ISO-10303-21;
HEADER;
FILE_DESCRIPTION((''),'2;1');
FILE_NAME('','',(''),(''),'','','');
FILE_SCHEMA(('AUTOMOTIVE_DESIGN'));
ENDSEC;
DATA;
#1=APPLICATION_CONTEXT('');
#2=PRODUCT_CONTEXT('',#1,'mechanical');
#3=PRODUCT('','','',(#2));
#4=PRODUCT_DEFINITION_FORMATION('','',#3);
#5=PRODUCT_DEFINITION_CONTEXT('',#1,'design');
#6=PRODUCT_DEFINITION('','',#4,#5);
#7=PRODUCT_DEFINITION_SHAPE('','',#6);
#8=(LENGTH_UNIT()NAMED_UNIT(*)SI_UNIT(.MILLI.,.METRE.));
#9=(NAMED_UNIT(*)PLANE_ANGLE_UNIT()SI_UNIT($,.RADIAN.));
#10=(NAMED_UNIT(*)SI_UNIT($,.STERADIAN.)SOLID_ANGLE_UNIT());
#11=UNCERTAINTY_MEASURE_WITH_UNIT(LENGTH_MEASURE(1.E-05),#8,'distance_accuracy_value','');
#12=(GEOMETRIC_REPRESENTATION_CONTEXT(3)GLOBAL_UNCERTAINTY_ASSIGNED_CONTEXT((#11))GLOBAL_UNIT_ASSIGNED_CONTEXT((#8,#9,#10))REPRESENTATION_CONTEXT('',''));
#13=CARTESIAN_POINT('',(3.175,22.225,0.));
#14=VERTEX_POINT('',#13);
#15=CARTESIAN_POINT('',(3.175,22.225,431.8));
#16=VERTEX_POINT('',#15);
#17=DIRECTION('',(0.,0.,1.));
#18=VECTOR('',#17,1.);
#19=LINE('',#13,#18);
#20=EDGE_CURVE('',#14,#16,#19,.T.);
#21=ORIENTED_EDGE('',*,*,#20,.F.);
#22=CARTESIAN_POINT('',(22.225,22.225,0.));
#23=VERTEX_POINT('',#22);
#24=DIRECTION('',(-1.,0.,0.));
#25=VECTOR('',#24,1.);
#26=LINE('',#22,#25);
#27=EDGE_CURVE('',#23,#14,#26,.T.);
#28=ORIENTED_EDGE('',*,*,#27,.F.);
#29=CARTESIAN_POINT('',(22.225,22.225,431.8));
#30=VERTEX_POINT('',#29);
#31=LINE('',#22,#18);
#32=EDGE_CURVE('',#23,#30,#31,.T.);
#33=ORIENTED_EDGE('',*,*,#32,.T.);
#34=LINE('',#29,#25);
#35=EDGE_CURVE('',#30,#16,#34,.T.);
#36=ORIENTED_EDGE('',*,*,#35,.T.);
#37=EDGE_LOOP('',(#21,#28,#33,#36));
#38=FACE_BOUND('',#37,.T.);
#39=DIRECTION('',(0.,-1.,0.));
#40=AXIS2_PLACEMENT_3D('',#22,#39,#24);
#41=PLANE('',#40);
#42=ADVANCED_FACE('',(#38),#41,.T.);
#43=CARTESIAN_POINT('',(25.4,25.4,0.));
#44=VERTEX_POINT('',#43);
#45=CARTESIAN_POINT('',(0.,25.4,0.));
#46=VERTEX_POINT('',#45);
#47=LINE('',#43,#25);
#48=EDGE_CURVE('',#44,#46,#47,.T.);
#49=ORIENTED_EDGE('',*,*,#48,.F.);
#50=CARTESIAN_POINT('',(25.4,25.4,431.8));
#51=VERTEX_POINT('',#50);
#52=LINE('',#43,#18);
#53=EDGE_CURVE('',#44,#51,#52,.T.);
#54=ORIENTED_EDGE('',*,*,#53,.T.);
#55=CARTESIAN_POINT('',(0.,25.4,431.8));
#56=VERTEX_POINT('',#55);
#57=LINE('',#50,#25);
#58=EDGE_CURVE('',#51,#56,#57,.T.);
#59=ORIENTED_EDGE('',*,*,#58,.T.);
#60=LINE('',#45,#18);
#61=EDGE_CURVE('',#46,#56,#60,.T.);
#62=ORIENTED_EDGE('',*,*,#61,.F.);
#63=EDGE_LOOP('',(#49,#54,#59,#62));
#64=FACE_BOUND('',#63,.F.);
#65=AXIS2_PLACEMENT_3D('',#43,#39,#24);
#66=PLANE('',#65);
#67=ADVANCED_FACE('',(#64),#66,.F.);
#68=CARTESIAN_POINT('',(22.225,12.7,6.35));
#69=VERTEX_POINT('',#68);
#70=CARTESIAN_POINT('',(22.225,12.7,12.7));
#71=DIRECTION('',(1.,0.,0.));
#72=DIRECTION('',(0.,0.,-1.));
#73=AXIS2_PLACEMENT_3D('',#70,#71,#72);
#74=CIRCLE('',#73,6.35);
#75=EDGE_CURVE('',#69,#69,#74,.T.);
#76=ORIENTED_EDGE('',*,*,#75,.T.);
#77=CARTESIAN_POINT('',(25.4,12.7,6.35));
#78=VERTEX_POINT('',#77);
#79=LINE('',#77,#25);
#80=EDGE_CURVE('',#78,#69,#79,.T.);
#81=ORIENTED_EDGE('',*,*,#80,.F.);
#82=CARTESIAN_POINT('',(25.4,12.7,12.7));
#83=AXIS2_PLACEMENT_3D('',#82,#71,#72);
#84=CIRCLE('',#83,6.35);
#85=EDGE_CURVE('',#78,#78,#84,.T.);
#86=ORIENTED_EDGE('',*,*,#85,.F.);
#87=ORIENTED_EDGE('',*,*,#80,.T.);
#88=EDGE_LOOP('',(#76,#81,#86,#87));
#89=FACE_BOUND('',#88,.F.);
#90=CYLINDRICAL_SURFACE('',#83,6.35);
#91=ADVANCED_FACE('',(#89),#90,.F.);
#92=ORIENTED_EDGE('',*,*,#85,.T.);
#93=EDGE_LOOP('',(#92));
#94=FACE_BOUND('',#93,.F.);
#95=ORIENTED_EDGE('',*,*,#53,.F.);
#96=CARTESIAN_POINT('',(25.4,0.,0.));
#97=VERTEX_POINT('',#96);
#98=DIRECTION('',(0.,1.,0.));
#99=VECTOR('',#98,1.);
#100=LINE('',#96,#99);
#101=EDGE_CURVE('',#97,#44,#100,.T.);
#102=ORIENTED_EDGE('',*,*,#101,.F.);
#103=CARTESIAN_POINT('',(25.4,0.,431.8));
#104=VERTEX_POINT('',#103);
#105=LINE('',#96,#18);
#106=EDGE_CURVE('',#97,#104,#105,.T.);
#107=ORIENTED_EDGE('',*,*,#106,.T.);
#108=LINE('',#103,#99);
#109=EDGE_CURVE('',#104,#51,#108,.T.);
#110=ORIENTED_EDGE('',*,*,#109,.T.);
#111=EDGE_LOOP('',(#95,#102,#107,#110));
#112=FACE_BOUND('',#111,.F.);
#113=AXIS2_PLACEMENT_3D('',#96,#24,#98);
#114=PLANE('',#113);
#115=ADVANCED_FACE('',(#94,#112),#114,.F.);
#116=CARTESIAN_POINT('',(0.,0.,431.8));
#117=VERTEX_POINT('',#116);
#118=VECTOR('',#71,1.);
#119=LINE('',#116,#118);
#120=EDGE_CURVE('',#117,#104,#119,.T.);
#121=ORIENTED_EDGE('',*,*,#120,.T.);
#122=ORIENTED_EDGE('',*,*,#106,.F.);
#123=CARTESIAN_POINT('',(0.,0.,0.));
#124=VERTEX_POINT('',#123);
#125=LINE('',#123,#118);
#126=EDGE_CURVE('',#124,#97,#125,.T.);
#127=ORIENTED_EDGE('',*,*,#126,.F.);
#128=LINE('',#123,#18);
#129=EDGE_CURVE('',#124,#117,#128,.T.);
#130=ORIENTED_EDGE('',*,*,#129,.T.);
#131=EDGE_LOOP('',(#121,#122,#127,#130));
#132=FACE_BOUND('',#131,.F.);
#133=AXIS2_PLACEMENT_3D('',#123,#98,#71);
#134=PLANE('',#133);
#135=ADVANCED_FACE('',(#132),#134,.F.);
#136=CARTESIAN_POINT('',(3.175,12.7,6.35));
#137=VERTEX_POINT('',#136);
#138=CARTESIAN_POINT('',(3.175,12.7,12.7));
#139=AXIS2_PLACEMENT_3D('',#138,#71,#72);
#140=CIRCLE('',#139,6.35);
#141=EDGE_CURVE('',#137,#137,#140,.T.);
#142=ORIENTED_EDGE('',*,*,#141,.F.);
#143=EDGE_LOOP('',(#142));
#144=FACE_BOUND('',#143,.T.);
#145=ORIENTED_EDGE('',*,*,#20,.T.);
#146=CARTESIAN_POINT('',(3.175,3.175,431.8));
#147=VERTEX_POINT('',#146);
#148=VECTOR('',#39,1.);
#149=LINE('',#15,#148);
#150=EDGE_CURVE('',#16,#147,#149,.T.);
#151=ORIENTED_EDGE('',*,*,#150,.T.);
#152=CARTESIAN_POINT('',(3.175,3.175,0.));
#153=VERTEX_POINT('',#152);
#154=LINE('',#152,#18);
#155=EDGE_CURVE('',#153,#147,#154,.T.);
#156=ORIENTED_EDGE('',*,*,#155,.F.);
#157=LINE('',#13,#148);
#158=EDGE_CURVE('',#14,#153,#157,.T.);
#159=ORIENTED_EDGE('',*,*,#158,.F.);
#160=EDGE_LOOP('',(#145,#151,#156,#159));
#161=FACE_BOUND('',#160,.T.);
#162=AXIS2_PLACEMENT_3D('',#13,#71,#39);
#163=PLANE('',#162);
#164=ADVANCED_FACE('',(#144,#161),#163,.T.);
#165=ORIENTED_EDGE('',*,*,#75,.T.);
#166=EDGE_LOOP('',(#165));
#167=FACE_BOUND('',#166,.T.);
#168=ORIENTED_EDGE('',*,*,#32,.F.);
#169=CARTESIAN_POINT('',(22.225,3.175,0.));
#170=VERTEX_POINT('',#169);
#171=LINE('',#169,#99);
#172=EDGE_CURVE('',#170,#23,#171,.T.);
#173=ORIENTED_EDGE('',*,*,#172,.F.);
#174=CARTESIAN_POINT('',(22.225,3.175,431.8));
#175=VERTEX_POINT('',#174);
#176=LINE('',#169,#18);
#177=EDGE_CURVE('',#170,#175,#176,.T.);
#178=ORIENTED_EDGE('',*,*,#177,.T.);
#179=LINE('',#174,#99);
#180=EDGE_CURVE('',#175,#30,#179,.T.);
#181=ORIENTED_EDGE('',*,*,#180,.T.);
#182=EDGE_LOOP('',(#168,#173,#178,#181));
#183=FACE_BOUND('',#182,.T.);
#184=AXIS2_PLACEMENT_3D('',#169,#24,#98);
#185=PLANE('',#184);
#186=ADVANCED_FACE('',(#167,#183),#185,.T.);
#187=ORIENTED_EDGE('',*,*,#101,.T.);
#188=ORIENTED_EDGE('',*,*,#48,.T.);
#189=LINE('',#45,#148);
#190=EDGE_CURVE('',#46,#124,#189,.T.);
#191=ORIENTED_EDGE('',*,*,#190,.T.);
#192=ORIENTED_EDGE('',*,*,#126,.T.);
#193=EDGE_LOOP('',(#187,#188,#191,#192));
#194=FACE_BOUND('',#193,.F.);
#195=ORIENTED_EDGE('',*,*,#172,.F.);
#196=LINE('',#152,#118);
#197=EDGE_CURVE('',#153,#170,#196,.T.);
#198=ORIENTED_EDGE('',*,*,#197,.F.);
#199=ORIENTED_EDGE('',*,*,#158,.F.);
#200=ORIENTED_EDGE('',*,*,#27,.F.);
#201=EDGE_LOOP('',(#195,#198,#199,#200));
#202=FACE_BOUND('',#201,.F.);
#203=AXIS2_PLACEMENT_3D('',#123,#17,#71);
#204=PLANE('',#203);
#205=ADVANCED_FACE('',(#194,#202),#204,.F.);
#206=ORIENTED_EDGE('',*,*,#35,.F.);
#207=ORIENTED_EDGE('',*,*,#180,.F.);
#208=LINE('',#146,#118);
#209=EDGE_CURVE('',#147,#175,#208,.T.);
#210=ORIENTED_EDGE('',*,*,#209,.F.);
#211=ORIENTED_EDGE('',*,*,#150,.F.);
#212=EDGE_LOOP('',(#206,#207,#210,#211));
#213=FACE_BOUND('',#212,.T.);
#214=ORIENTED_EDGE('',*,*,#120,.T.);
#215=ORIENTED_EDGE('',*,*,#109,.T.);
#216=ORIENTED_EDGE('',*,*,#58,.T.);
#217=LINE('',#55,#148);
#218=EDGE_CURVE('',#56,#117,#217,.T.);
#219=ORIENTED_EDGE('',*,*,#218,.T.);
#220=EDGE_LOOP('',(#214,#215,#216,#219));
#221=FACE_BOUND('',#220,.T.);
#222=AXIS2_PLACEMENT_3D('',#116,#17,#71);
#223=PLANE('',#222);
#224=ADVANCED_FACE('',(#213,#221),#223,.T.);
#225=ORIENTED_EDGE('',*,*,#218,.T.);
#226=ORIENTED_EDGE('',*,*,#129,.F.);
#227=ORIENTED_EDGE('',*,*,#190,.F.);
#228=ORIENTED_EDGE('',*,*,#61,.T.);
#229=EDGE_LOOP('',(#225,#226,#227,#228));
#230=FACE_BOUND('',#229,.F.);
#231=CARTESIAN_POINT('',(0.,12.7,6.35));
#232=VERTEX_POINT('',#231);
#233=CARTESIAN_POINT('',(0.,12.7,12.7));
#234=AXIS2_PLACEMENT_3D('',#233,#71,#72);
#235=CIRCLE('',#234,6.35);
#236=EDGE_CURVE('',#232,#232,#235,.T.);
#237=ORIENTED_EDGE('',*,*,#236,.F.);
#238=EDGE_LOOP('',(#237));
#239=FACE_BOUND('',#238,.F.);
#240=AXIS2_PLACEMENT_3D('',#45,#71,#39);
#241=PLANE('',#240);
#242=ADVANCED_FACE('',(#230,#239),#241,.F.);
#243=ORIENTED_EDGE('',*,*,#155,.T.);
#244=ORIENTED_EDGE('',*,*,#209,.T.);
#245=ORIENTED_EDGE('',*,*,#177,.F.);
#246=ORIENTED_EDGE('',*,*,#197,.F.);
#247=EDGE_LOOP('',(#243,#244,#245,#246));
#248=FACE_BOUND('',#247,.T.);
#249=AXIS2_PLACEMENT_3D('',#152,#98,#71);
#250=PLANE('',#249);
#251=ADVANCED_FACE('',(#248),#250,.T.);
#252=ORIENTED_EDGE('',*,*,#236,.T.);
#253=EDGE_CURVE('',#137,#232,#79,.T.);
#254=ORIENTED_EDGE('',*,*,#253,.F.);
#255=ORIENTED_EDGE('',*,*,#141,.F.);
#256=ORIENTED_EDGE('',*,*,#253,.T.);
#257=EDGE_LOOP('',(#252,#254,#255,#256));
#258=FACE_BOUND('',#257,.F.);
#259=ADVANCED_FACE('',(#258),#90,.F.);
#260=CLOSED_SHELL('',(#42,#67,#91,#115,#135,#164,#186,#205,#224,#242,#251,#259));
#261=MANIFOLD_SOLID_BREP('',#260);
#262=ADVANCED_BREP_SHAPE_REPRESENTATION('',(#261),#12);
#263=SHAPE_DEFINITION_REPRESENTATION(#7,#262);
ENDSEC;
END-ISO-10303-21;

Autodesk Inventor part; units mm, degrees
ref_plane "YZ Plane" through (0, 0, 0) normal (1, 0, 0) x (0, 1, 0)
ref_plane "XZ Plane" through (0, 0, 0) normal (0, 1, 0) x (-1, 0, 0)
ref_plane "XY Plane" through (0, 0, 0) normal (0, 0, 1) x (1, 0, 0)
sketch "Sketch1" plane through (0, 0, 0) normal (0, 0, 1) x (1, 0, 0)
  line L0 (0, 0) -> (25.4, 0)
  line L1 (25.4, 0) -> (25.4, 25.4)
  line L2 (25.4, 25.4) -> (0, 25.4)
  line L3 (0, 25.4) -> (0, 0)
  line L4 (3.175, 3.175) -> (22.225, 3.175)
  line L5 (22.225, 3.175) -> (22.225, 22.225)
  line L6 (22.225, 22.225) -> (3.175, 22.225)
  line L7 (3.175, 22.225) -> (3.175, 3.175)
  dimension "d0" = 25.4
  dimension "d1" = 25.4
  dimension "d2" = 3.175
  dimension "d3" = 3.175
  dimension "d4" = 3.175
  dimension "d5" = 3.175
extrude "Extrusion1" add sketch "Sketch1" along normal blind 431.8
sketch "Sketch2" plane through (25.4, 0, 0) normal (1, 0, 0) x (0, 0, -1)
  line L0 (0, 0) -> (0, 25.4) projected
  line L1 (0, 25.4) -> (-431.8, 25.4) projected
  circle A0 centre (-12.7, 12.7) radius 6.35
  dimension "d8" = 12.7
  dimension "d9" = 12.7
  dimension "d10" = 12.7
extrude "Extrusion2" cut sketch "Sketch2" against normal blind 431.8
equation "\"d2\" = d5"
equation "\"d4\" = d3"
equation "\"d5\" = d4"
properties part number "shooter frame tube"
